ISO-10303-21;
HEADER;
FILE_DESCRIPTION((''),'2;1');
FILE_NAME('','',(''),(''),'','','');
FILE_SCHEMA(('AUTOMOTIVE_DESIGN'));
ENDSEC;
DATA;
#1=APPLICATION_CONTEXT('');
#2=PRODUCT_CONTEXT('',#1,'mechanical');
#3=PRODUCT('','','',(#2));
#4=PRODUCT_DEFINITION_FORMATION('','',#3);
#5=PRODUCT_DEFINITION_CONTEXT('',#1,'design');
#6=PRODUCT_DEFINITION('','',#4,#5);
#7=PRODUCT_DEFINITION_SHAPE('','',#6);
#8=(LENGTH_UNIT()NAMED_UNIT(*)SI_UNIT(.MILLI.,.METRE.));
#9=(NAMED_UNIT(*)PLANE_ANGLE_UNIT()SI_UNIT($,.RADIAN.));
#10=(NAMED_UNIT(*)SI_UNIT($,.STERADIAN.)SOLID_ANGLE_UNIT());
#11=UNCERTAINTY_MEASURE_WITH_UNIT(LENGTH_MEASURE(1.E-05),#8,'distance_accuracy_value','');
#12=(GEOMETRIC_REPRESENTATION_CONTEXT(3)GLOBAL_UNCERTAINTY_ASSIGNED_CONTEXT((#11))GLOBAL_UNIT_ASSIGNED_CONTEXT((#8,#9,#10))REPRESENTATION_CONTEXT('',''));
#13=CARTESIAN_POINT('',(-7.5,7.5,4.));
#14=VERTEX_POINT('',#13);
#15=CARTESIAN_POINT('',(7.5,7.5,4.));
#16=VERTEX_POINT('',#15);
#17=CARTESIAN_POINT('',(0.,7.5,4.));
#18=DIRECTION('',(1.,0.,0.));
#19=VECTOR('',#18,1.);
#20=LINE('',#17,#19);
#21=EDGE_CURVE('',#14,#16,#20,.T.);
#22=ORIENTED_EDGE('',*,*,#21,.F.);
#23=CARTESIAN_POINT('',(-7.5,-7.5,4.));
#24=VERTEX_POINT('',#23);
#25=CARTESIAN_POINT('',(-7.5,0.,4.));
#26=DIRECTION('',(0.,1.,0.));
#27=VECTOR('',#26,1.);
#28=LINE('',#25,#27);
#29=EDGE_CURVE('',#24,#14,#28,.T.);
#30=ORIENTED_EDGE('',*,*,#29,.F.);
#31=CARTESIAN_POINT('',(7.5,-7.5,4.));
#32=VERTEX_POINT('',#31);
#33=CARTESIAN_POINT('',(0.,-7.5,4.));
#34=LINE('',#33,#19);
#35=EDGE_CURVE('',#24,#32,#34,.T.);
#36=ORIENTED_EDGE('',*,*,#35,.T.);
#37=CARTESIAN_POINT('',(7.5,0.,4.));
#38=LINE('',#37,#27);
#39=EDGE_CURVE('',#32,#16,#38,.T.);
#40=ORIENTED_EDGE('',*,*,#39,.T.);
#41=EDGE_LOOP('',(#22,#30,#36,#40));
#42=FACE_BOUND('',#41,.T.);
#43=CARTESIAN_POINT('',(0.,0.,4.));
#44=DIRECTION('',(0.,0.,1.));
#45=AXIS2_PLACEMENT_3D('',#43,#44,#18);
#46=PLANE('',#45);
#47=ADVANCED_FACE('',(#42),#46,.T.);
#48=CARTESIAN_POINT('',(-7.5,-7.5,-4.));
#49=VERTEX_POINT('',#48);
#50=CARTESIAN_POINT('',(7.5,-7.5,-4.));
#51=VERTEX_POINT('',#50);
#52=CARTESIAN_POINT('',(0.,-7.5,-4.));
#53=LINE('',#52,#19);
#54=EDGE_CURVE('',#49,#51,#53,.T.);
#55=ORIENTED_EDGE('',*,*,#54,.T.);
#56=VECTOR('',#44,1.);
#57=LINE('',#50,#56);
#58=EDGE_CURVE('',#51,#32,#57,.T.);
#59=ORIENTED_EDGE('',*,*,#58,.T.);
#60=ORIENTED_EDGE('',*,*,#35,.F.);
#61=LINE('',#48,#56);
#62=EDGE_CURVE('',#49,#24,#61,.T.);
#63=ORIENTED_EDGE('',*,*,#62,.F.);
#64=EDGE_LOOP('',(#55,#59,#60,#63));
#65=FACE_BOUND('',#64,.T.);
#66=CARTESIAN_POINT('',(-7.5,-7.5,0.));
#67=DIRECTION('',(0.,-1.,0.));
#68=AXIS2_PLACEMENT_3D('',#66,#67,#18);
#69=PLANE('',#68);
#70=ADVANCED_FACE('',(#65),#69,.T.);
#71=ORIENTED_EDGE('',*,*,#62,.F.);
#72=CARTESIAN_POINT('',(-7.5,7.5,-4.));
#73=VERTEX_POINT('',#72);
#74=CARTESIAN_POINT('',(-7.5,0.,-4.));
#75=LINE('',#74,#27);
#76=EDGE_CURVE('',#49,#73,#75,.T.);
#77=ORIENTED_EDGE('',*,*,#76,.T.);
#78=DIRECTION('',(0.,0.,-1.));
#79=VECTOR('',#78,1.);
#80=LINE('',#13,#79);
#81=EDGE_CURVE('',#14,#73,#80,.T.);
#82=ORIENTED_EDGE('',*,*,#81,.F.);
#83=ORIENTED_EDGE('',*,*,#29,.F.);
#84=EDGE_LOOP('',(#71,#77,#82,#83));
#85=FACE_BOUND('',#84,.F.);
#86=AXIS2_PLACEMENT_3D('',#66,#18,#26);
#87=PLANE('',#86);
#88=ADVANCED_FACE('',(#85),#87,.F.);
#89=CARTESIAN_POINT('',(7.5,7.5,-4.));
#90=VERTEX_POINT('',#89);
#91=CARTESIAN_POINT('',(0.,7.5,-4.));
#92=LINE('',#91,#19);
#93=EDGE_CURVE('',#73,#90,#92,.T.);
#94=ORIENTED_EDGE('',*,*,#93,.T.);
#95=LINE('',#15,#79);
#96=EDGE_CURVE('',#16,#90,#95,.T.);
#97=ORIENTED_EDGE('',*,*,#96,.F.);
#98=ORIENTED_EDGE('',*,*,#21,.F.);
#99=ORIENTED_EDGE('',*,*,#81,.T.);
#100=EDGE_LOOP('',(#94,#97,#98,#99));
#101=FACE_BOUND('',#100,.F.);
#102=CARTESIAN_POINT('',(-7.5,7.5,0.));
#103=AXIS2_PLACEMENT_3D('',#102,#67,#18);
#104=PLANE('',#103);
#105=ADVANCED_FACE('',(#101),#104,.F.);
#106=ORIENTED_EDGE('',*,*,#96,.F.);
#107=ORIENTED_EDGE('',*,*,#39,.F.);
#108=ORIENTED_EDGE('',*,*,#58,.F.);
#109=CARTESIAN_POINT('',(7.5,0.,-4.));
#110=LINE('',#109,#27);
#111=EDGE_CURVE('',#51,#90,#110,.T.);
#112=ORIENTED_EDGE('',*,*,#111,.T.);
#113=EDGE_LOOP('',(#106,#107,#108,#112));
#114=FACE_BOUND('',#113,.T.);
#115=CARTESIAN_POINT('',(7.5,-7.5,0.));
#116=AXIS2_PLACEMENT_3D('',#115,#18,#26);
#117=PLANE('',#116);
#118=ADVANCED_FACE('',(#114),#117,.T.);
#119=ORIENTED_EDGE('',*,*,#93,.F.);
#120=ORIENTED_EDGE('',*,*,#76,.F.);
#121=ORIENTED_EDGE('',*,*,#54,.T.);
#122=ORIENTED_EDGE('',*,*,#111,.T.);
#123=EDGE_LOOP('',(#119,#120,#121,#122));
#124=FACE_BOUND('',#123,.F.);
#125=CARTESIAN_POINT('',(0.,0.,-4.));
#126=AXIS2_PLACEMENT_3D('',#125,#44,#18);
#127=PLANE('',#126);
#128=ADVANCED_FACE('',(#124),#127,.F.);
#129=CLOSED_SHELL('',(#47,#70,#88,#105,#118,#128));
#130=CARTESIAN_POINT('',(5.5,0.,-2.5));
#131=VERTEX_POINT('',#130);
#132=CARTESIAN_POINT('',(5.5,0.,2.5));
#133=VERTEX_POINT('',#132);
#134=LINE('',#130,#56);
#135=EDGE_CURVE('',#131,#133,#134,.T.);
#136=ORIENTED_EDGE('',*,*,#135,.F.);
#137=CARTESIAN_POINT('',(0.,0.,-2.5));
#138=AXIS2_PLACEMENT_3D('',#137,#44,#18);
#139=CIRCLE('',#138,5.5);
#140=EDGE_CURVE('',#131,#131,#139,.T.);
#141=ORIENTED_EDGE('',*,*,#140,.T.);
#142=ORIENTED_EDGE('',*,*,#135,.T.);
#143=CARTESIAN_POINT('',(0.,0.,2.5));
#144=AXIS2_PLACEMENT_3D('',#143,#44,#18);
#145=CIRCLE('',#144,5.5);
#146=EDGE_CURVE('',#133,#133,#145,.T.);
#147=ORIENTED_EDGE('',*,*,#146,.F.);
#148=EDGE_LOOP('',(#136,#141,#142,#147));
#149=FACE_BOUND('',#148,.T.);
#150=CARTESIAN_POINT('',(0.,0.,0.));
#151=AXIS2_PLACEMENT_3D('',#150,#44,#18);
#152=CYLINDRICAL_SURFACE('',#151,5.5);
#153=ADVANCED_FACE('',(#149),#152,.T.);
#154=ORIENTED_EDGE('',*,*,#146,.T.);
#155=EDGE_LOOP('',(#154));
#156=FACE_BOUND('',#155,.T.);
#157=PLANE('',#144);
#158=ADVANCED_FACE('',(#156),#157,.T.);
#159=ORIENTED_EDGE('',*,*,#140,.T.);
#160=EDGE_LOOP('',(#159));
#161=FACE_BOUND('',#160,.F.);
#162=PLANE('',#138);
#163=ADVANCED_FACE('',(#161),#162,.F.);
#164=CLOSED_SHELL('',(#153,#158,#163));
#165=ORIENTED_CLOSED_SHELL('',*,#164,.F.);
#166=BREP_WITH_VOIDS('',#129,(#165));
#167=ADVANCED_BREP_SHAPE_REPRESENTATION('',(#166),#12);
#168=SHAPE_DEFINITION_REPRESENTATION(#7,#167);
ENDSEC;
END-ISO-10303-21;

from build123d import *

# Parameters (mm, degrees)
SKETCH_W     = 15
SKETCH_H     = 15
PAD_DEPTH    = 4
SKETCH001_R  = 5.5
POCKET_DEPTH = 2.5


with BuildPart() as part:
    # Sketch → Pad (new body, symmetric)
    with BuildSketch(Plane.XY):
        Rectangle(SKETCH_W, SKETCH_H)
    extrude(amount=PAD_DEPTH, both=True)

    # Sketch001 → Pocket (cut, symmetric)
    with BuildSketch(Plane.XY):
        Circle(SKETCH001_R)
    extrude(amount=POCKET_DEPTH, both=True, mode=Mode.SUBTRACT)


solid = part.part
